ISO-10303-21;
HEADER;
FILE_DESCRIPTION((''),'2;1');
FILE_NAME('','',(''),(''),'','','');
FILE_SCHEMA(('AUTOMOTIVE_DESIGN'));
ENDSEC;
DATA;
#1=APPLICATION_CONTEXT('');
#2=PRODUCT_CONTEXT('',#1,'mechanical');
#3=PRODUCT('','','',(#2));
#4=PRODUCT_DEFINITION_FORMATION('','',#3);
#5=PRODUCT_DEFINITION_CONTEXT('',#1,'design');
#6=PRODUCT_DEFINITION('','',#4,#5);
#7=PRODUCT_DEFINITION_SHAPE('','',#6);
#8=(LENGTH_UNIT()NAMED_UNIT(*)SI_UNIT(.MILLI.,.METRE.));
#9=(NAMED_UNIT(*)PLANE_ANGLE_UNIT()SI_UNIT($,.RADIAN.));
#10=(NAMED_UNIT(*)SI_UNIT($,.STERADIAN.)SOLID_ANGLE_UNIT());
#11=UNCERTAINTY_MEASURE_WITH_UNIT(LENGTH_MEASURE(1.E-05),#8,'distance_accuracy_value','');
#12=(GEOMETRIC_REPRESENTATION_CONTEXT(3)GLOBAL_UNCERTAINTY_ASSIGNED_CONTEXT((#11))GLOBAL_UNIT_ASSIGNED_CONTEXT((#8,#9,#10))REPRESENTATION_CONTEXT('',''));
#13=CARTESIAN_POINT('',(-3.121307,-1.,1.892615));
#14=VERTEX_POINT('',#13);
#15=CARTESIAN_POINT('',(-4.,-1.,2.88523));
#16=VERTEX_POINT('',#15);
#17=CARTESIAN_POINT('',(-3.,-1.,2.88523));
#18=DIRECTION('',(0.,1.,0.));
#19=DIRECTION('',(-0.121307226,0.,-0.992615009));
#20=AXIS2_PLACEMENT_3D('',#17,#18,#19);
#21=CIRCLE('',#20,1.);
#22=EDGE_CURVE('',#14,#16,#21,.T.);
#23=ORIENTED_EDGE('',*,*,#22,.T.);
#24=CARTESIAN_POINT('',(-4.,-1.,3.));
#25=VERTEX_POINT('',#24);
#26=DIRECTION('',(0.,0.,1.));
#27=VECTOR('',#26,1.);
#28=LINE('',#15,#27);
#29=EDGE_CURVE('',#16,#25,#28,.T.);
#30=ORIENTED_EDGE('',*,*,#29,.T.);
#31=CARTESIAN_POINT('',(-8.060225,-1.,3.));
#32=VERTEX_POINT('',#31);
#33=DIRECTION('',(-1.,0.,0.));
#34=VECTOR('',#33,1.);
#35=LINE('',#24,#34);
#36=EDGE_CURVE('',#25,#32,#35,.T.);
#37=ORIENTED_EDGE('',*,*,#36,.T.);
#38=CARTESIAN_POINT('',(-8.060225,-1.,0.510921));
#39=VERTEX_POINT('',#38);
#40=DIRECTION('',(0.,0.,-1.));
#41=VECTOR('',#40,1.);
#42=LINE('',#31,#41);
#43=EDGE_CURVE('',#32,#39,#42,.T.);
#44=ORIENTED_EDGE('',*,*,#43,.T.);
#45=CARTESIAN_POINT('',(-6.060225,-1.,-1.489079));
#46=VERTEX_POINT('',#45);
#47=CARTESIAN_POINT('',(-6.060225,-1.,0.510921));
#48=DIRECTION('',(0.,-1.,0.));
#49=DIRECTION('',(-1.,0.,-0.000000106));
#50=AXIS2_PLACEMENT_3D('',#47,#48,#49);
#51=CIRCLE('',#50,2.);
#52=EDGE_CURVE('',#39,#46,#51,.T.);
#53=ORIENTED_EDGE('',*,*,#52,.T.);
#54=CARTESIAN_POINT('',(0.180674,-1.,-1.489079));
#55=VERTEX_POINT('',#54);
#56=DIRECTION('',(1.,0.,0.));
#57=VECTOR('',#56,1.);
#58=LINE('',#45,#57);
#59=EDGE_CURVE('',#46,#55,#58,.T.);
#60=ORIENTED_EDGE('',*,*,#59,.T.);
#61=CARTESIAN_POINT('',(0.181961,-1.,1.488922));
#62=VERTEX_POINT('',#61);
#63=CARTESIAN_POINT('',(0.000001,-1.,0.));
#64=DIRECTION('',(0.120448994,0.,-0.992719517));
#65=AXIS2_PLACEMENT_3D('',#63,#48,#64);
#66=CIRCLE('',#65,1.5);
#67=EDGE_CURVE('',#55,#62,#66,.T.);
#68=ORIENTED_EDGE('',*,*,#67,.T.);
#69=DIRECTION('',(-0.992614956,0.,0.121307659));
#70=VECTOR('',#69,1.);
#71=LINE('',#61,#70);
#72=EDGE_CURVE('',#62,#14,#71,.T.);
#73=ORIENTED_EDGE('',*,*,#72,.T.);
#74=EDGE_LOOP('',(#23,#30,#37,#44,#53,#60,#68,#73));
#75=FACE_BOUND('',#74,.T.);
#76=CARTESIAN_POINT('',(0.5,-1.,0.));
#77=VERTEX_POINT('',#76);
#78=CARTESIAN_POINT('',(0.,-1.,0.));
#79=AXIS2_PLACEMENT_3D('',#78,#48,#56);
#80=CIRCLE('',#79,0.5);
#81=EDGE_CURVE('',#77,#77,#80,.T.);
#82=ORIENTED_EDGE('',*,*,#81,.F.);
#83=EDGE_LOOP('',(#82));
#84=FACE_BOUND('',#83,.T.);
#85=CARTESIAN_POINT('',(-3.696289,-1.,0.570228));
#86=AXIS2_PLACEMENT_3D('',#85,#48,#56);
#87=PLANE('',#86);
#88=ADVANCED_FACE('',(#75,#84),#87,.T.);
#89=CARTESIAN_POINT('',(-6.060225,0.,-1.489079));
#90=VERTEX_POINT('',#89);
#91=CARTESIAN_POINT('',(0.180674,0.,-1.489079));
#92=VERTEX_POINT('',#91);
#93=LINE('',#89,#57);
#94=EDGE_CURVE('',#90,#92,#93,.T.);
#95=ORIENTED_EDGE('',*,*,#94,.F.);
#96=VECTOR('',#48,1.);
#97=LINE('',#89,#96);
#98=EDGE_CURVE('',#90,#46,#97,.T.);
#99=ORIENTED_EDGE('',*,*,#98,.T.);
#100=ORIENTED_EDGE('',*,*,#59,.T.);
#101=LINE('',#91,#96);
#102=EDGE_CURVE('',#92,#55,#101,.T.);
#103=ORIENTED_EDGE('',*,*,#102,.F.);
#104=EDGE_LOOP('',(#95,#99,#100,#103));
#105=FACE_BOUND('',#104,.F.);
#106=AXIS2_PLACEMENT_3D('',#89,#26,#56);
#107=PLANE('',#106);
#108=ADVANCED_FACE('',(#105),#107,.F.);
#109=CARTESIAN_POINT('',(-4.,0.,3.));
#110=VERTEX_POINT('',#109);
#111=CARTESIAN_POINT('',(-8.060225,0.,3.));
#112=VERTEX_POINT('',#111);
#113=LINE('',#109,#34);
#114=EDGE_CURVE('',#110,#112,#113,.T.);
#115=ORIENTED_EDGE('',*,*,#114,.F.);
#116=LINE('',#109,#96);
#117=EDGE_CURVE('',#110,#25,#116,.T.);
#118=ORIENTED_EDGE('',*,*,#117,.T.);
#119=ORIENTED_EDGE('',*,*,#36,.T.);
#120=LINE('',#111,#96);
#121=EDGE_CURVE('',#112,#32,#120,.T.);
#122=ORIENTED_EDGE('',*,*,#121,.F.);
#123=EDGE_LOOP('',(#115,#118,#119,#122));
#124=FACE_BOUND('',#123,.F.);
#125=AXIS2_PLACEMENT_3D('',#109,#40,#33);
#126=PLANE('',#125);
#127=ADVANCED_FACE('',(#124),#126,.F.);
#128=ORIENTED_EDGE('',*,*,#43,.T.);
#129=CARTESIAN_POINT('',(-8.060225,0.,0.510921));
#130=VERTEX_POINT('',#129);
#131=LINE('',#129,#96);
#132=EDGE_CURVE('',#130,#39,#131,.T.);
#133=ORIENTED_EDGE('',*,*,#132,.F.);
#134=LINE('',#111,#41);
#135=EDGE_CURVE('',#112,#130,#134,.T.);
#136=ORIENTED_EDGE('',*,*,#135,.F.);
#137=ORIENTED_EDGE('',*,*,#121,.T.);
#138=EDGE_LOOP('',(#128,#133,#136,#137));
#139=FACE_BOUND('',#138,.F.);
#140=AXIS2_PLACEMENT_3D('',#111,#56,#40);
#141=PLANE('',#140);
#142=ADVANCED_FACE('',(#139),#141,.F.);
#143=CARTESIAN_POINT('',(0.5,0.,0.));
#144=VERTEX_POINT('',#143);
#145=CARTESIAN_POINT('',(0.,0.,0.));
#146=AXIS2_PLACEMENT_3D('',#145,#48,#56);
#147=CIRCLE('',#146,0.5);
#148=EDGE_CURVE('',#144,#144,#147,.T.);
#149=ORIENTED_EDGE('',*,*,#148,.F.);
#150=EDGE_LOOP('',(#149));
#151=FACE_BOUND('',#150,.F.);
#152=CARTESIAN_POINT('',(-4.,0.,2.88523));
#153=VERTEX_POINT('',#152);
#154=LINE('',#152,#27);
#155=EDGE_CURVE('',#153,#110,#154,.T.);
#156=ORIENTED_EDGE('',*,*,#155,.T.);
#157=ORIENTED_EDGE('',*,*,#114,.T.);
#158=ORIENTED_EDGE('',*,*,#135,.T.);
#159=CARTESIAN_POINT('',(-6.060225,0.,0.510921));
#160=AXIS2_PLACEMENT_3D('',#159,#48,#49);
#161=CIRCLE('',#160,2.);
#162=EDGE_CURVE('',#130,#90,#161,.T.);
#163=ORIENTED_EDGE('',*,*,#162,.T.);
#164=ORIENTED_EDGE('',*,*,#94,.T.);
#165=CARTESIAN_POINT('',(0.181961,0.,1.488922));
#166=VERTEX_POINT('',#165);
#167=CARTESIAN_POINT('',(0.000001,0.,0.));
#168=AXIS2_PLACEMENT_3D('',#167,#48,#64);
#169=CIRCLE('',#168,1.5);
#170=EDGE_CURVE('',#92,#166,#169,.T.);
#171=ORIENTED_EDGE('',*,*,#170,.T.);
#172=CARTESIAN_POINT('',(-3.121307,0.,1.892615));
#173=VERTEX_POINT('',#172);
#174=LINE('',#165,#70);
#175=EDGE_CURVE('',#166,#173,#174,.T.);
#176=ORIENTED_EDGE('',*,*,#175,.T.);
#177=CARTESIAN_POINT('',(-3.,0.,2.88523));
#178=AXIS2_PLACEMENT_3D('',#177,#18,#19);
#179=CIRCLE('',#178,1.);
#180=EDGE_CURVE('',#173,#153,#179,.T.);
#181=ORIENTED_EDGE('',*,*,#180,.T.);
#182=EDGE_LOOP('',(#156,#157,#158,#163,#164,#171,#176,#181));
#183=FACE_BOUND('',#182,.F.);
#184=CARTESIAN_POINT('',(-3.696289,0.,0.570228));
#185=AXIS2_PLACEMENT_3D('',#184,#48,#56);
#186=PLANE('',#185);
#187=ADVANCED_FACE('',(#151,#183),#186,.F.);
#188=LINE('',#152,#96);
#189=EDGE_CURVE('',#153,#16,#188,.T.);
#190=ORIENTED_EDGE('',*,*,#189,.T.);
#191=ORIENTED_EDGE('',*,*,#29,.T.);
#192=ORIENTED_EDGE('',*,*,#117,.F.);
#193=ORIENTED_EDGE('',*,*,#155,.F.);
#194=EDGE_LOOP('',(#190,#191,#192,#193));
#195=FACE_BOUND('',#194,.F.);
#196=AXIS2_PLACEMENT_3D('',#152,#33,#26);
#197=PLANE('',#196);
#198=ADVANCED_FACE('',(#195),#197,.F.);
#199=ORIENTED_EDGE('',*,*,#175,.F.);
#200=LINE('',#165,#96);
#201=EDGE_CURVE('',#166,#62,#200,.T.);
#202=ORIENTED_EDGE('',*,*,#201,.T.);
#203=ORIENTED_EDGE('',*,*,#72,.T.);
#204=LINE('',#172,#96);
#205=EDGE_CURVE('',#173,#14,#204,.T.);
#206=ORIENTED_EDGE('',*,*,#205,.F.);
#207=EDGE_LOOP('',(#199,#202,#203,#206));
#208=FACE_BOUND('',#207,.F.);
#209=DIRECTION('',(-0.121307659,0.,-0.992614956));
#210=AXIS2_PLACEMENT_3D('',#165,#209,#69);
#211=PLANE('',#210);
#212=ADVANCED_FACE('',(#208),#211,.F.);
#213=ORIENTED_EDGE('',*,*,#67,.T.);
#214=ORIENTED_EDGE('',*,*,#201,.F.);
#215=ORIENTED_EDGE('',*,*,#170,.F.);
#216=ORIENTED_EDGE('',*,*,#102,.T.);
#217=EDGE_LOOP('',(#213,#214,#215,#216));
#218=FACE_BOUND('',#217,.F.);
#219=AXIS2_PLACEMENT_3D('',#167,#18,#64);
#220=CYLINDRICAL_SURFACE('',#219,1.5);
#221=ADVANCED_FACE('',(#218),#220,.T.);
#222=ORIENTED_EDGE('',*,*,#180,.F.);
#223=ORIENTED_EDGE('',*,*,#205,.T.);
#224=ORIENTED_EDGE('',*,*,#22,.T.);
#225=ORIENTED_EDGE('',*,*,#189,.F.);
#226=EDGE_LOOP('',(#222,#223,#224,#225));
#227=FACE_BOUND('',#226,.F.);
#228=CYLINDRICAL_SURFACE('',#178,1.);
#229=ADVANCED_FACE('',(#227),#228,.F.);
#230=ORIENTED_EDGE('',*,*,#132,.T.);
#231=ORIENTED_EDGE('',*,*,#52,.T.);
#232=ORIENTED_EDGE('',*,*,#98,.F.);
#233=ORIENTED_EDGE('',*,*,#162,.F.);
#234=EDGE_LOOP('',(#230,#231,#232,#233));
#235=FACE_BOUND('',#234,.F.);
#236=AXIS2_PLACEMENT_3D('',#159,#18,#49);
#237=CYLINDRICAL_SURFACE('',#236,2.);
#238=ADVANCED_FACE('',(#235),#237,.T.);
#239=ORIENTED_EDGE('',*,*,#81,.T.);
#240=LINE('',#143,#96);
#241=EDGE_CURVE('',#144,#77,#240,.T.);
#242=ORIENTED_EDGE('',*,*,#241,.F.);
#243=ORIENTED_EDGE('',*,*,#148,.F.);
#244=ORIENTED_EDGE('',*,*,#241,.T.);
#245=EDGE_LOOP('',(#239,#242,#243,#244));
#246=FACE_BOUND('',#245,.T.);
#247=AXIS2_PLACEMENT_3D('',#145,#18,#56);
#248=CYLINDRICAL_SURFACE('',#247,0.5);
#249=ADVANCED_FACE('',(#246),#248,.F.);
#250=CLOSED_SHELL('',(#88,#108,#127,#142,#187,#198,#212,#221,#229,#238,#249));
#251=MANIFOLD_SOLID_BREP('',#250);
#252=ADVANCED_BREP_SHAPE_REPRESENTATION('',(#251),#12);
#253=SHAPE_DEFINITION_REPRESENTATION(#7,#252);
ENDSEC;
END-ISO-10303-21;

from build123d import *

# Parameters (mm, degrees)
F0_R     = 0.5
F1_DEPTH = 1


with BuildPart() as f1:
    # F0 (on Front) → F1 (new body)
    with BuildSketch(Plane.XZ):
        with BuildLine():
            Line((-6.060225, -1.489079), (0.180674, -1.489079))
            ThreePointArc((0.180674, -1.489079), (1.5, -0.000648), (0.181961, 1.488922))
            Line((0.181961, 1.488922), (-3.121307, 1.892615))
            ThreePointArc((-3.121307, 1.892615), (-3.748768, 2.222398), (-4, 2.88523))
            Line((-4, 2.88523), (-4, 3))
            Line((-4, 3), (-8.060225, 3))
            Line((-8.060225, 3), (-8.060225, 0.510921))
            ThreePointArc((-8.060225, 0.510921), (-7.474438, -0.903293), (-6.060225, -1.489079))
        make_face()
        Circle(F0_R, mode=Mode.SUBTRACT)
    extrude(amount=F1_DEPTH)


solid = f1.part
